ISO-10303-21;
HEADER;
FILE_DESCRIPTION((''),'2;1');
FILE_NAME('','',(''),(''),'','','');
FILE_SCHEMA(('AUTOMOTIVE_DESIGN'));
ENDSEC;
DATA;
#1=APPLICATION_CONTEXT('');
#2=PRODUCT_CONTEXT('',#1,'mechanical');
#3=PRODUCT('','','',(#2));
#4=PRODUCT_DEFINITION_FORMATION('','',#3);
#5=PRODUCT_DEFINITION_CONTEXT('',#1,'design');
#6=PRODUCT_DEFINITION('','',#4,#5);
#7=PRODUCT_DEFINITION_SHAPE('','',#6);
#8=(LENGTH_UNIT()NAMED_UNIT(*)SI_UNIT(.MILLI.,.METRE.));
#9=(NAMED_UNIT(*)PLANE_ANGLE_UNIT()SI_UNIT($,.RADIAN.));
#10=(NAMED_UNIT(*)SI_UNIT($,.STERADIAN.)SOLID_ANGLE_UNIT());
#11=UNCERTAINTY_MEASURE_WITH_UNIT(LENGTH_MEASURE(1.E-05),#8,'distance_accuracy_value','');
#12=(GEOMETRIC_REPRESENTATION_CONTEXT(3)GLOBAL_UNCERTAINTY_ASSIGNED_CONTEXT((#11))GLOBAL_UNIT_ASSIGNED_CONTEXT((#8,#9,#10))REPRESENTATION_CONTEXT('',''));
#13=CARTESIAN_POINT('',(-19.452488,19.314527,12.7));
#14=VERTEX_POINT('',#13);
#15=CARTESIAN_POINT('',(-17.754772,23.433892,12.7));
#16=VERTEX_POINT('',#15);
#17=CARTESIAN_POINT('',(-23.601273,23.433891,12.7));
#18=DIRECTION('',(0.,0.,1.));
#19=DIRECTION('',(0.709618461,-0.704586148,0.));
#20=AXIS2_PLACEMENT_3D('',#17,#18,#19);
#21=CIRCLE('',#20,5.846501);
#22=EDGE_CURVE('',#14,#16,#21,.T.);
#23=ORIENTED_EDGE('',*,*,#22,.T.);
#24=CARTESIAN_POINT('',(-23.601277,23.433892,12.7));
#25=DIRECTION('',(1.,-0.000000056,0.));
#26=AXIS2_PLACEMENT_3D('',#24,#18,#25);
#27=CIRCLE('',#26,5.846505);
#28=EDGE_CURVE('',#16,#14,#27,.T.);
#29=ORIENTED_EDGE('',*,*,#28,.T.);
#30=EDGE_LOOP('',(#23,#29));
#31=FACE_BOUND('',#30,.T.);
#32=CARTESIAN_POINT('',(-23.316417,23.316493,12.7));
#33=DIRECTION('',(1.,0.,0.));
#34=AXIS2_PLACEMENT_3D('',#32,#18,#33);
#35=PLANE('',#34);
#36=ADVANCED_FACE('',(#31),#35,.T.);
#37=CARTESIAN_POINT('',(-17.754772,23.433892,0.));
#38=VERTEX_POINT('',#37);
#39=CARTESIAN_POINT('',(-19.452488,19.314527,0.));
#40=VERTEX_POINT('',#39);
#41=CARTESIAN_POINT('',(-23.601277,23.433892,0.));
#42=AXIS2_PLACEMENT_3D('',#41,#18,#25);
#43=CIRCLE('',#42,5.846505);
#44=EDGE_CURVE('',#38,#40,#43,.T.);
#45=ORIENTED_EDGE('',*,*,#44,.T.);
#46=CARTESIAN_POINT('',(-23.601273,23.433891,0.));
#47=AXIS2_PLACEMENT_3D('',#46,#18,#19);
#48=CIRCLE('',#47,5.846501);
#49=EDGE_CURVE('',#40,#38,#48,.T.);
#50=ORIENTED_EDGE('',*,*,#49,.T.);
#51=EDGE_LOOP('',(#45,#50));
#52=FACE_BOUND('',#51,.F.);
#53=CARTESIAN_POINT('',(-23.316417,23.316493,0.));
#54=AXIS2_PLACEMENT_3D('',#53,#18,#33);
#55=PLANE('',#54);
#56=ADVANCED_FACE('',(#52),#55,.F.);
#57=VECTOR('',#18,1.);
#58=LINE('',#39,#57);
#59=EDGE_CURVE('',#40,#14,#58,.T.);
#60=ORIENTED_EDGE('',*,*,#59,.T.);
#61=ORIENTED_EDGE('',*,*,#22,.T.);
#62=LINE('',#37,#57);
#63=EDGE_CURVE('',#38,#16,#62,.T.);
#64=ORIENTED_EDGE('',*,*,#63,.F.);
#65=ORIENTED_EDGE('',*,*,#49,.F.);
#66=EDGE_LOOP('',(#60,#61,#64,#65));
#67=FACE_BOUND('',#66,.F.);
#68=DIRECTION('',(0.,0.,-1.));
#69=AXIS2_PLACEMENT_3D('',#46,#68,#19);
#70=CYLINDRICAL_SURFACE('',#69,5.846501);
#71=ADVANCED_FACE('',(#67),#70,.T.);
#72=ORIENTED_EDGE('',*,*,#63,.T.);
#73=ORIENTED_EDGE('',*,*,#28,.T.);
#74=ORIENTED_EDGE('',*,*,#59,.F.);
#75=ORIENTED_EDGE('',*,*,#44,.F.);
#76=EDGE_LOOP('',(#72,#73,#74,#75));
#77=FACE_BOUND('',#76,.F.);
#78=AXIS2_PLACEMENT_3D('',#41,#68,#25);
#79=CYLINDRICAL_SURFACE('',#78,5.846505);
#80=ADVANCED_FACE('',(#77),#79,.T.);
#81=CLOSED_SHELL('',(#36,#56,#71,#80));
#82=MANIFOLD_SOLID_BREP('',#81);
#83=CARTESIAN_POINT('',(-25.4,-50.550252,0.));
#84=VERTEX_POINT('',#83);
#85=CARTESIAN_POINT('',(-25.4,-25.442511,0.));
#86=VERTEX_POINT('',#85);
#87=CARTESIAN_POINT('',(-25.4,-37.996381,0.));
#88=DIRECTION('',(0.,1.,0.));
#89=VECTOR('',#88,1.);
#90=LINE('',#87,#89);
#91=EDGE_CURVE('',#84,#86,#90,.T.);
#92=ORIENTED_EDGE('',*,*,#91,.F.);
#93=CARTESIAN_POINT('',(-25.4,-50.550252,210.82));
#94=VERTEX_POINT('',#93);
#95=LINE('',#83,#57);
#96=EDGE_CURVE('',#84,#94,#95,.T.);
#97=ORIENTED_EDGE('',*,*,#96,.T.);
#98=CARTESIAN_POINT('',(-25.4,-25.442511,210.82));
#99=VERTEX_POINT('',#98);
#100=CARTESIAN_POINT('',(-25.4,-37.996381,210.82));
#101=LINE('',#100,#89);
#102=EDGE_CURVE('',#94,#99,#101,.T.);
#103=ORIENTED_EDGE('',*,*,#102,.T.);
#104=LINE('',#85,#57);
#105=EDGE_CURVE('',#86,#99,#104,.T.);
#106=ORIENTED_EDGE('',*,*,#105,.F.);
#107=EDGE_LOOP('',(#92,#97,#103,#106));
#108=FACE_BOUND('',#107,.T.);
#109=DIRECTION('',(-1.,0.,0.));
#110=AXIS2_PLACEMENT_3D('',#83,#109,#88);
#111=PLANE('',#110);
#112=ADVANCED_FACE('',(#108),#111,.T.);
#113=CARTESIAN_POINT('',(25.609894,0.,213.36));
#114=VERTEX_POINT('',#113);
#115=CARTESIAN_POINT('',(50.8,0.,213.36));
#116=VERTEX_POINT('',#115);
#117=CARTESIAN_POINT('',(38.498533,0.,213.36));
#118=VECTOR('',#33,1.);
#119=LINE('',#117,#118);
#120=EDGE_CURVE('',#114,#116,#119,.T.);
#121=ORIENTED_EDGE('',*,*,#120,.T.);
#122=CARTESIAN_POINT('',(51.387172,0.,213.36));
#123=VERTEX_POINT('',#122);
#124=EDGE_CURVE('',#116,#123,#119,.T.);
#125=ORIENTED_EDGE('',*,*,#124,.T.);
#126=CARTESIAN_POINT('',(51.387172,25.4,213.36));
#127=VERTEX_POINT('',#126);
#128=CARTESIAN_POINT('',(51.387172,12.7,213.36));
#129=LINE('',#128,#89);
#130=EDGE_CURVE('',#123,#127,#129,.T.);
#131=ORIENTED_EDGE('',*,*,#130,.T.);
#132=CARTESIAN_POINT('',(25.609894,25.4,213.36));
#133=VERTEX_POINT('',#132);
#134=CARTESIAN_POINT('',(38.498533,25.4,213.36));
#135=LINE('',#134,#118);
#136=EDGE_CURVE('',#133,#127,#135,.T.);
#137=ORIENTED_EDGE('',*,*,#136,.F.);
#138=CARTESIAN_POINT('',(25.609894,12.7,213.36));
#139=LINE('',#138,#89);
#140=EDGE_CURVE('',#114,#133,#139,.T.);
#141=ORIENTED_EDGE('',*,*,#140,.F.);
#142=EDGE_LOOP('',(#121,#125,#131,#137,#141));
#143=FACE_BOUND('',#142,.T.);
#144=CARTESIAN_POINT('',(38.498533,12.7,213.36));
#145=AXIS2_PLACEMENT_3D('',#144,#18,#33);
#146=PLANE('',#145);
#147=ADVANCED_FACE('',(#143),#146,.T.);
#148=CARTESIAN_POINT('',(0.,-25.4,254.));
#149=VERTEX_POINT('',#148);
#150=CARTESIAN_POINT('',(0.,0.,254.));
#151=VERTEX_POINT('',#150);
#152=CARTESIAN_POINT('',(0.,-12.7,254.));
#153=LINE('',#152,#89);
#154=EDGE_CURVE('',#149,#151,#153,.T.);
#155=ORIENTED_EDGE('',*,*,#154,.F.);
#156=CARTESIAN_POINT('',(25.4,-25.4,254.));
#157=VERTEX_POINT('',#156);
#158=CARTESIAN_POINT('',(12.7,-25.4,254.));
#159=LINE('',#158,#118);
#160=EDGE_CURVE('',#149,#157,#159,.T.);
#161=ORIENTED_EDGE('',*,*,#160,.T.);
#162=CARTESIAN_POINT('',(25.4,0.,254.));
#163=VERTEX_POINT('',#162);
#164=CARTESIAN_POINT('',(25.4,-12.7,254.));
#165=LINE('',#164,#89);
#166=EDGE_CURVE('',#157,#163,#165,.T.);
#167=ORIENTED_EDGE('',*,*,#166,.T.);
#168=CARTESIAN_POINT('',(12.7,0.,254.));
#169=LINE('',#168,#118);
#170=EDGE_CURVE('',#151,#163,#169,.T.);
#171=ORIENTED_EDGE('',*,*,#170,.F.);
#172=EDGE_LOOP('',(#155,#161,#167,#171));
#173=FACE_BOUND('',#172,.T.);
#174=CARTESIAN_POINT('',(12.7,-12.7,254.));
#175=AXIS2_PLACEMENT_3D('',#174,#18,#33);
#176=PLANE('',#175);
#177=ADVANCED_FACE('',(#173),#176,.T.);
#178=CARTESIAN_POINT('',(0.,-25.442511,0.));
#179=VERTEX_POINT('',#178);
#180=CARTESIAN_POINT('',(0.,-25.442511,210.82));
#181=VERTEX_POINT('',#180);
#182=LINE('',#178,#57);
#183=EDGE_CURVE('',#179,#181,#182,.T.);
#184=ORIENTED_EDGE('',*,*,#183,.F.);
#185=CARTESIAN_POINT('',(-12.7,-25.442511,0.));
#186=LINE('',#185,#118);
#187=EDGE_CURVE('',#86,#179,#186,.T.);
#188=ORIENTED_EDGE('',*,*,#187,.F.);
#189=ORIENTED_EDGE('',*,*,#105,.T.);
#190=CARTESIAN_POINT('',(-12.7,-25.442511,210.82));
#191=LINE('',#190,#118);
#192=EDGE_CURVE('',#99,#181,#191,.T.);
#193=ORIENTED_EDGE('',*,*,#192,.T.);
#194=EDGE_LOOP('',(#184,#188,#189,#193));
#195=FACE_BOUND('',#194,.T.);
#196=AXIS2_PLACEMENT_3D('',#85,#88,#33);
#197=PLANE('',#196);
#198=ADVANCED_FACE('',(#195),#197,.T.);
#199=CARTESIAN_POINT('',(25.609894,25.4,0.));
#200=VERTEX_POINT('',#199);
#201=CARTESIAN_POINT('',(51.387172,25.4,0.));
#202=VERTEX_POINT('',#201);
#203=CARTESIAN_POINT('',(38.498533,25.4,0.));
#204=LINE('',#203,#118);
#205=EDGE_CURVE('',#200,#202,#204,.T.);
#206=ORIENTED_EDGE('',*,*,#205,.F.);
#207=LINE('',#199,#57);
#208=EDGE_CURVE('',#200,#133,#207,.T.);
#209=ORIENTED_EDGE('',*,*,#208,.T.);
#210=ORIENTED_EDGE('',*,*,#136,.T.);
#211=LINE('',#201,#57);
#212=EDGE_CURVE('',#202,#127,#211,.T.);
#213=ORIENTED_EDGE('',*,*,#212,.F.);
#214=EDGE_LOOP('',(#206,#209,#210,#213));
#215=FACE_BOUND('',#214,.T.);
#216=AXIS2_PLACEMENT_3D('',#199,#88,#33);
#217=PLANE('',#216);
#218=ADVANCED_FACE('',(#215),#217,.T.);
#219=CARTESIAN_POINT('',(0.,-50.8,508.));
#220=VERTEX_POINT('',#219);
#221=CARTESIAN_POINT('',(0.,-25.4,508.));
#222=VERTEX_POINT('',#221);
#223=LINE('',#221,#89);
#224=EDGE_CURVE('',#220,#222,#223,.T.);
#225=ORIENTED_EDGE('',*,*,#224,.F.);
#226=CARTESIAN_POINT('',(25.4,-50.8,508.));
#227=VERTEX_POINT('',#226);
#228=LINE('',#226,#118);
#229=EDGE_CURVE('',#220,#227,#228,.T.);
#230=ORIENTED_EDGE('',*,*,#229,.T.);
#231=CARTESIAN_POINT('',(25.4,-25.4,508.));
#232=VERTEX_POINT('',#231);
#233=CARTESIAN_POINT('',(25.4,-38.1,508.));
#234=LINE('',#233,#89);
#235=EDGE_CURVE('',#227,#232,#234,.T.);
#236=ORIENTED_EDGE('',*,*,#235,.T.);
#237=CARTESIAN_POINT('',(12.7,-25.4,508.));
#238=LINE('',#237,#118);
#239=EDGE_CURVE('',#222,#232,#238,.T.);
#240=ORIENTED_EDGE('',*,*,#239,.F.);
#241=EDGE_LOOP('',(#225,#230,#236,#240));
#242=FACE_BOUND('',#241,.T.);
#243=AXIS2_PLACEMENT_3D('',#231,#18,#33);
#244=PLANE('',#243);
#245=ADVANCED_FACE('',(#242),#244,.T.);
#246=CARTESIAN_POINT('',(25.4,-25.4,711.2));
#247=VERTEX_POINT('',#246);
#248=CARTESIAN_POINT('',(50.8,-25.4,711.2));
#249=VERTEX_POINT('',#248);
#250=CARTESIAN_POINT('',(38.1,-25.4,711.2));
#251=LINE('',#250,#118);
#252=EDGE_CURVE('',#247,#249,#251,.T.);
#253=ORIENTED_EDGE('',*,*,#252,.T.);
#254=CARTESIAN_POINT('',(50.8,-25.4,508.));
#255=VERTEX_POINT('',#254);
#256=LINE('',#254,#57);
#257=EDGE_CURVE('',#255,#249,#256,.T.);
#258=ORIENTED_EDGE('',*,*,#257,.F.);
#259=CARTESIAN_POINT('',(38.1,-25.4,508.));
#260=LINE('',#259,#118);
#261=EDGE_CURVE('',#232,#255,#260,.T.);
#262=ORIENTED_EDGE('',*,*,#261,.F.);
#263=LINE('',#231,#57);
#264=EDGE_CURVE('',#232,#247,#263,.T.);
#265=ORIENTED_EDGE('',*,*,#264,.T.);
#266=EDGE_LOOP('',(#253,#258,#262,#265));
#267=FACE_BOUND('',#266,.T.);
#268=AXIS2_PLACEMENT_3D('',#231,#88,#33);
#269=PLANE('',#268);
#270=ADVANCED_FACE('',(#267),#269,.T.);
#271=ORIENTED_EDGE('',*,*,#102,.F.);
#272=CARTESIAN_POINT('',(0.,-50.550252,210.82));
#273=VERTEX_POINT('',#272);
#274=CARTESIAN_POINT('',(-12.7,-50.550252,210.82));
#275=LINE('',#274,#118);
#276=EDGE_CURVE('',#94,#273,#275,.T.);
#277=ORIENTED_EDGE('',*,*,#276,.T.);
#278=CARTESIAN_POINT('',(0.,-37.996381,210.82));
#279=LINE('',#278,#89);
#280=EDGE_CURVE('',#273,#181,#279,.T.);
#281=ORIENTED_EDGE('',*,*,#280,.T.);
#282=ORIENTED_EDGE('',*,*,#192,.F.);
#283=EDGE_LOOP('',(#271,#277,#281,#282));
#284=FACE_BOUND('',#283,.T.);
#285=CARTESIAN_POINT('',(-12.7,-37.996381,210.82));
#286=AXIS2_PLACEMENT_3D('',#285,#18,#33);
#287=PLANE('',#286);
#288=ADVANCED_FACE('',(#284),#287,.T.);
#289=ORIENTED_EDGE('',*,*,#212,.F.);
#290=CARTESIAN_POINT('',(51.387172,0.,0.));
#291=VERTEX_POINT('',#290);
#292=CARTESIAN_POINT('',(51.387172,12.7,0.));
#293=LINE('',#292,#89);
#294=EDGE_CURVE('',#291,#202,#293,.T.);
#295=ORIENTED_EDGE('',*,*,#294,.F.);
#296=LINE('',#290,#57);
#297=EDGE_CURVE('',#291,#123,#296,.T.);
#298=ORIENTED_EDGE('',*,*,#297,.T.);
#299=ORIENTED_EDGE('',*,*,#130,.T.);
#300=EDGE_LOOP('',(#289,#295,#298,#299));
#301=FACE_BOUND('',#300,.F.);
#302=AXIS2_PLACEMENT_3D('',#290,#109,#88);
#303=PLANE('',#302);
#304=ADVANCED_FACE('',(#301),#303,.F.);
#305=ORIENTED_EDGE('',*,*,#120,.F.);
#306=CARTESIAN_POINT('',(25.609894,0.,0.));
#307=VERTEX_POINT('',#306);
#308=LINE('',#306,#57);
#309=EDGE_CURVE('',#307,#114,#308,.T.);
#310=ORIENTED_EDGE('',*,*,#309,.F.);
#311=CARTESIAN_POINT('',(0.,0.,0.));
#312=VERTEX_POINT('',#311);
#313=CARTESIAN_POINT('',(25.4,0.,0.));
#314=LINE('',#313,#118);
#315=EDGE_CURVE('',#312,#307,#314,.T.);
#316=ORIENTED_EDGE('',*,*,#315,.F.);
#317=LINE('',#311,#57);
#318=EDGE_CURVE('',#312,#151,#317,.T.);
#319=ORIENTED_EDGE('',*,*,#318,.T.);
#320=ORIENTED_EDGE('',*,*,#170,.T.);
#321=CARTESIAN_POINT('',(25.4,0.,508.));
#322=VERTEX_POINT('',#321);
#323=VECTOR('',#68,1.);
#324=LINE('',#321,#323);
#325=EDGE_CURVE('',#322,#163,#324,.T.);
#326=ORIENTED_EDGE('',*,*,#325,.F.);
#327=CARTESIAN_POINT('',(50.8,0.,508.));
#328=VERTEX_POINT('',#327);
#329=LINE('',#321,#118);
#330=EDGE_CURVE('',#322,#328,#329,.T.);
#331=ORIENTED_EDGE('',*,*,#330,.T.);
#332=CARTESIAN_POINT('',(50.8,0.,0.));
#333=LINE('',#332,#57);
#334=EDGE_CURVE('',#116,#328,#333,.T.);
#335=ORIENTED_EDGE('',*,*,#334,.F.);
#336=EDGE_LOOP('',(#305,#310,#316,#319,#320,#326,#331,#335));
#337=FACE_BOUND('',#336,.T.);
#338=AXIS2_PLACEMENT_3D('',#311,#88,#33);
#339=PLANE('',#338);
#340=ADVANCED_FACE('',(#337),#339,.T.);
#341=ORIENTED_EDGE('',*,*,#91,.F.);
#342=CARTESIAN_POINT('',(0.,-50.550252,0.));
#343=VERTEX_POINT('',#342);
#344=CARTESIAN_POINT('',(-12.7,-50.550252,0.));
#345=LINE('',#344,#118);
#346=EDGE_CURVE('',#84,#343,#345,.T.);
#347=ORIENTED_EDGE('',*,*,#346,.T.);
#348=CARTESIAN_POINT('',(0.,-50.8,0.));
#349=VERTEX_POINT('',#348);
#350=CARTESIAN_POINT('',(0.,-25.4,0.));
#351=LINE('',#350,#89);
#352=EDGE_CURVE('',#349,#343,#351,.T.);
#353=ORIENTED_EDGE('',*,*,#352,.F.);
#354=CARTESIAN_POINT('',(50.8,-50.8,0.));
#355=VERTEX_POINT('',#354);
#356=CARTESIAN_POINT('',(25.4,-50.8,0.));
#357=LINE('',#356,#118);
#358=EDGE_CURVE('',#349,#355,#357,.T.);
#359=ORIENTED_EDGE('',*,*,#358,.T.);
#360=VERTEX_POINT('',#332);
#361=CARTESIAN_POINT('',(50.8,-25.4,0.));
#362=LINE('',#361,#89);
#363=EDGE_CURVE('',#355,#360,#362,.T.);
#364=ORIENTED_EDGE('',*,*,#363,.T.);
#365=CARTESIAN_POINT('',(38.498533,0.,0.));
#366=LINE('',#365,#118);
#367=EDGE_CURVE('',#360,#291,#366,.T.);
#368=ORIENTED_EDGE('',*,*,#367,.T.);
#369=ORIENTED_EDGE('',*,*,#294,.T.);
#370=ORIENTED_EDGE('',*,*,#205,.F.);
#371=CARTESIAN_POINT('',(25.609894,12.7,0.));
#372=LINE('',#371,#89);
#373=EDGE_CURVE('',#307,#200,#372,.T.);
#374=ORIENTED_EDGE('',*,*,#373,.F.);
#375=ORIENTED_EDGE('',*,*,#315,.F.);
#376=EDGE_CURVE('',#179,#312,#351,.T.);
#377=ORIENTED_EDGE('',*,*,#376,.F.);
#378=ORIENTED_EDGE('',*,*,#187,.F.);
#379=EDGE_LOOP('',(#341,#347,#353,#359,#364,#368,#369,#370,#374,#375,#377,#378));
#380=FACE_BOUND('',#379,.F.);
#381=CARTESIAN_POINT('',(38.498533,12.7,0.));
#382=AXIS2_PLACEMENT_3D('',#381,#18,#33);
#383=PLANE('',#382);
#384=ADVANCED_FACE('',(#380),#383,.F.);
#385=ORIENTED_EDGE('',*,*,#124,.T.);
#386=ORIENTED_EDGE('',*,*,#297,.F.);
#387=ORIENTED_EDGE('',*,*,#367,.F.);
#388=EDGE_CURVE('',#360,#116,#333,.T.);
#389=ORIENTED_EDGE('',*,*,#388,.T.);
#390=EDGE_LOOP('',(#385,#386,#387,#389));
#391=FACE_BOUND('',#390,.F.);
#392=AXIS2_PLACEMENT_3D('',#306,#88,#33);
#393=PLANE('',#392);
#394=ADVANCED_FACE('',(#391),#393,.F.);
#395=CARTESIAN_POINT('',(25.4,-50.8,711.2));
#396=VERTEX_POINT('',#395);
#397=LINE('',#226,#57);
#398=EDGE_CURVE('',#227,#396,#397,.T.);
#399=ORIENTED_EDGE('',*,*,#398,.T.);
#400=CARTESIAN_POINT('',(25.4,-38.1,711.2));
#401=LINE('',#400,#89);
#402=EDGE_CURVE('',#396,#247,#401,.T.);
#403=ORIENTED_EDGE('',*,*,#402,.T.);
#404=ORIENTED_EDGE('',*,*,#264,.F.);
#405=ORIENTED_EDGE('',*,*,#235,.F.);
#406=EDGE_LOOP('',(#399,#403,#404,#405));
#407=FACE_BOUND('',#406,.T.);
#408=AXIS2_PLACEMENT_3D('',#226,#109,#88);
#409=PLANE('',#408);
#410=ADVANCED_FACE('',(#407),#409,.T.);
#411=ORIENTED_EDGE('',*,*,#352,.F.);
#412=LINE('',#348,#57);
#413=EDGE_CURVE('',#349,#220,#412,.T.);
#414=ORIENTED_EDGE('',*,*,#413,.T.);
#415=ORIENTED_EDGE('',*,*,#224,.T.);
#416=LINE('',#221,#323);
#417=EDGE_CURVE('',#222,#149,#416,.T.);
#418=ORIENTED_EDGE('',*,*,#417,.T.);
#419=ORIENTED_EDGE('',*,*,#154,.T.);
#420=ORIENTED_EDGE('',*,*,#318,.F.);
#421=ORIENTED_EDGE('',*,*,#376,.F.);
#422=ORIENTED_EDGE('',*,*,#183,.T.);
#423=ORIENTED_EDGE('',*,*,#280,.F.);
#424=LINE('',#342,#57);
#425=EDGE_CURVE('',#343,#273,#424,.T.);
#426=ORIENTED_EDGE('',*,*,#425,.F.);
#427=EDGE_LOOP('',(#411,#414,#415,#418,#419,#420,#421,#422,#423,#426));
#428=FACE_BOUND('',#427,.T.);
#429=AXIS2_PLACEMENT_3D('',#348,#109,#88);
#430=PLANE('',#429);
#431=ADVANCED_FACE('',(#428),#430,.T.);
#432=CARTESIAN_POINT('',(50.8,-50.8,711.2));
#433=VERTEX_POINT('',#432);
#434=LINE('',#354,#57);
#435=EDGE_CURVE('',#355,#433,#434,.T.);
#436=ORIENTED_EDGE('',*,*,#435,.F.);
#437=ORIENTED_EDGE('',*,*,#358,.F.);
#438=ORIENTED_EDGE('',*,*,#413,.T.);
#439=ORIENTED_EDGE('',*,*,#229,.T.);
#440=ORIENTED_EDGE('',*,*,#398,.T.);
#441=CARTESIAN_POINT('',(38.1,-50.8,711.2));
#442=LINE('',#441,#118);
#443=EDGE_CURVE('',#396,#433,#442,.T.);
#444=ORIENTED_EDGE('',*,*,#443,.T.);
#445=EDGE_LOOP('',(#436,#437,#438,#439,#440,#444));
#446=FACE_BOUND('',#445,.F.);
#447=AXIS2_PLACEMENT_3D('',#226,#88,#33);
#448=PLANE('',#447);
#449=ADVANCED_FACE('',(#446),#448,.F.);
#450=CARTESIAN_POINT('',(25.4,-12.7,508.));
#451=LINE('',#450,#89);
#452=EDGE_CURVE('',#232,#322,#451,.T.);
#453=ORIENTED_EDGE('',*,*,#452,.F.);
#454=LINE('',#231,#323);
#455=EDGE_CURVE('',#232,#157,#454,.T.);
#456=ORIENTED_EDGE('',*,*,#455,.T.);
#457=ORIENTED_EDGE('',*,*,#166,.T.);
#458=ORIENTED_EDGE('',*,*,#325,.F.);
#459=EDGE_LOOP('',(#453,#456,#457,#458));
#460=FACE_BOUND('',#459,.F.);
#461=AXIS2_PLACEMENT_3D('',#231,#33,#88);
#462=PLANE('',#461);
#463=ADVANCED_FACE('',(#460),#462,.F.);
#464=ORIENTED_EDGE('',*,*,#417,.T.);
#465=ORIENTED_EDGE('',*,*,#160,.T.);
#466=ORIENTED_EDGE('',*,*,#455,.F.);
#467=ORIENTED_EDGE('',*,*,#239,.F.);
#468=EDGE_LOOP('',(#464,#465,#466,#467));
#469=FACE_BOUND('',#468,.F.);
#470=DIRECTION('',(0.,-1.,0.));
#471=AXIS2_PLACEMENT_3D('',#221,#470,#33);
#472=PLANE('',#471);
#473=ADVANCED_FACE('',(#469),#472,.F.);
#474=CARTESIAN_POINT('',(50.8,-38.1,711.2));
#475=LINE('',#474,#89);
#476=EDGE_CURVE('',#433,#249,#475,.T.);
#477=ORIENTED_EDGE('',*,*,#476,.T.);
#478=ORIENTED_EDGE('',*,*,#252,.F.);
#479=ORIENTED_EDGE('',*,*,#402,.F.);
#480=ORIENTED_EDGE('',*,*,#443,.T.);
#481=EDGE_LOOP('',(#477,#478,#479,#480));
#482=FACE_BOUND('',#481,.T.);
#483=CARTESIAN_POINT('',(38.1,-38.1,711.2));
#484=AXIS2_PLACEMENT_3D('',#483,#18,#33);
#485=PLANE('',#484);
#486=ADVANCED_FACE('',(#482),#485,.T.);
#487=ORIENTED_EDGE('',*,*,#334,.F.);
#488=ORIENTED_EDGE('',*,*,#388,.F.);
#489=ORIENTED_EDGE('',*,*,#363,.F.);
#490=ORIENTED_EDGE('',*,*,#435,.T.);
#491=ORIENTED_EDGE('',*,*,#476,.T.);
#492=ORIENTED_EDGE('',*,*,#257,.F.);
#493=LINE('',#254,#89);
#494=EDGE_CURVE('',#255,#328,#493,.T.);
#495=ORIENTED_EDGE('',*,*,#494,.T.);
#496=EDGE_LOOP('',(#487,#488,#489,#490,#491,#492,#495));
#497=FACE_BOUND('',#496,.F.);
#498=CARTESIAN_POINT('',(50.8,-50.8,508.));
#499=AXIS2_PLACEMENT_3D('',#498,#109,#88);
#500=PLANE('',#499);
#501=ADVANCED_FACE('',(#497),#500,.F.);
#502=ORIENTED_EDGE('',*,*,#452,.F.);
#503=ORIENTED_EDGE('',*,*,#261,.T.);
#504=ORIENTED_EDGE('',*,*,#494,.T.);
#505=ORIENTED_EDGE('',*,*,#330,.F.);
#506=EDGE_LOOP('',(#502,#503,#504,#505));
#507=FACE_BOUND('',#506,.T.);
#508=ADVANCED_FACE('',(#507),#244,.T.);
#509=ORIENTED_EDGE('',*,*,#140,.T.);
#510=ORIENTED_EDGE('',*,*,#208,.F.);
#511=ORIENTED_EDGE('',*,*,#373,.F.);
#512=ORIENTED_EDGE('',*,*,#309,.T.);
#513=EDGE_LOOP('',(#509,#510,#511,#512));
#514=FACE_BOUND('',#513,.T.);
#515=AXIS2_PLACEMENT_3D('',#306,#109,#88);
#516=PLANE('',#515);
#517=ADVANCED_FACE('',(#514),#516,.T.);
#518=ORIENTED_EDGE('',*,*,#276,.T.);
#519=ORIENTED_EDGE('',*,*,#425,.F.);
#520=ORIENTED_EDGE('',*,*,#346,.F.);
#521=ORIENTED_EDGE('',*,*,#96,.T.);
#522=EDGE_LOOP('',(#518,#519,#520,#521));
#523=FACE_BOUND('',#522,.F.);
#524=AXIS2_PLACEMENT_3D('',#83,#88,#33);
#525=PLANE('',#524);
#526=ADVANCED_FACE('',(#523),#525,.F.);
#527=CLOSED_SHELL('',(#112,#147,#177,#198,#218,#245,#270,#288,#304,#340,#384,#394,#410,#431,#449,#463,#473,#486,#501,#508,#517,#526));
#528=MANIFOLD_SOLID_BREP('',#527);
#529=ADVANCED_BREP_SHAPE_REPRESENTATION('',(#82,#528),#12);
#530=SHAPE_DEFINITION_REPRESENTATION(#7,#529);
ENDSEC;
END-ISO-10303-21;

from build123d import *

# Parameters (mm, degrees)
F0_W      = 50.8
F0_H      = 50.8
F1_DEPTH  = 508
F2_W      = 25.4
F2_H      = 25.4
F3_DEPTH  = 254
F4_W      = 25.4
F4_H      = 25.4
F5_DEPTH  = 203.2
F6_W      = 25.777278
F6_H      = 25.4
F7_DEPTH  = 213.36
F8_W      = 25.4
F8_H      = 25.107741
F9_DEPTH  = 210.82
F11_DEPTH = 12.7


with BuildPart() as f1:
    # F0 (on Top) → F1 (new body)
    with BuildSketch(Plane.XY):
        with Locations((25.4, -25.4)):
            Rectangle(F0_W, F0_H)
    extrude(amount=F1_DEPTH)

    # F2 (on face) → F3 (cut)
    with BuildSketch(Plane.XY.offset(508)):
        with Locations((12.7, -12.7)):
            Rectangle(F2_W, F2_H)
    extrude(amount=-F3_DEPTH, mode=Mode.SUBTRACT)

    # F4 (on face) → F5 (join)
    with BuildSketch(Plane.XY.offset(508)):
        with Locations((38.1, -38.1)):
            Rectangle(F4_W, F4_H)
    extrude(amount=F5_DEPTH)

    # F6 (on Top) → F7 (join)
    with BuildSketch(Plane.XY):
        with Locations((38.498533, 12.7)):
            Rectangle(F6_W, F6_H)
    extrude(amount=F7_DEPTH)

    # F8 (on Top) → F9 (join)
    with BuildSketch(Plane.XY):
        with Locations((-12.7, -37.996381)):
            Rectangle(F8_W, F8_H)
    extrude(amount=F9_DEPTH)


with BuildPart() as f11:
    # F10 (on Top) → F11 (new body)
    with BuildSketch(Plane.XY):
        with BuildLine():
            ThreePointArc((-19.452488, 19.314527), (-18.195838, 21.206146), (-17.754772, 23.433892))
            ThreePointArc((-17.754772, 23.433892), (-29.006716, 25.661638), (-19.452488, 19.314527))
        make_face()
    extrude(amount=F11_DEPTH)


solid = Compound([f1.part, f11.part])
